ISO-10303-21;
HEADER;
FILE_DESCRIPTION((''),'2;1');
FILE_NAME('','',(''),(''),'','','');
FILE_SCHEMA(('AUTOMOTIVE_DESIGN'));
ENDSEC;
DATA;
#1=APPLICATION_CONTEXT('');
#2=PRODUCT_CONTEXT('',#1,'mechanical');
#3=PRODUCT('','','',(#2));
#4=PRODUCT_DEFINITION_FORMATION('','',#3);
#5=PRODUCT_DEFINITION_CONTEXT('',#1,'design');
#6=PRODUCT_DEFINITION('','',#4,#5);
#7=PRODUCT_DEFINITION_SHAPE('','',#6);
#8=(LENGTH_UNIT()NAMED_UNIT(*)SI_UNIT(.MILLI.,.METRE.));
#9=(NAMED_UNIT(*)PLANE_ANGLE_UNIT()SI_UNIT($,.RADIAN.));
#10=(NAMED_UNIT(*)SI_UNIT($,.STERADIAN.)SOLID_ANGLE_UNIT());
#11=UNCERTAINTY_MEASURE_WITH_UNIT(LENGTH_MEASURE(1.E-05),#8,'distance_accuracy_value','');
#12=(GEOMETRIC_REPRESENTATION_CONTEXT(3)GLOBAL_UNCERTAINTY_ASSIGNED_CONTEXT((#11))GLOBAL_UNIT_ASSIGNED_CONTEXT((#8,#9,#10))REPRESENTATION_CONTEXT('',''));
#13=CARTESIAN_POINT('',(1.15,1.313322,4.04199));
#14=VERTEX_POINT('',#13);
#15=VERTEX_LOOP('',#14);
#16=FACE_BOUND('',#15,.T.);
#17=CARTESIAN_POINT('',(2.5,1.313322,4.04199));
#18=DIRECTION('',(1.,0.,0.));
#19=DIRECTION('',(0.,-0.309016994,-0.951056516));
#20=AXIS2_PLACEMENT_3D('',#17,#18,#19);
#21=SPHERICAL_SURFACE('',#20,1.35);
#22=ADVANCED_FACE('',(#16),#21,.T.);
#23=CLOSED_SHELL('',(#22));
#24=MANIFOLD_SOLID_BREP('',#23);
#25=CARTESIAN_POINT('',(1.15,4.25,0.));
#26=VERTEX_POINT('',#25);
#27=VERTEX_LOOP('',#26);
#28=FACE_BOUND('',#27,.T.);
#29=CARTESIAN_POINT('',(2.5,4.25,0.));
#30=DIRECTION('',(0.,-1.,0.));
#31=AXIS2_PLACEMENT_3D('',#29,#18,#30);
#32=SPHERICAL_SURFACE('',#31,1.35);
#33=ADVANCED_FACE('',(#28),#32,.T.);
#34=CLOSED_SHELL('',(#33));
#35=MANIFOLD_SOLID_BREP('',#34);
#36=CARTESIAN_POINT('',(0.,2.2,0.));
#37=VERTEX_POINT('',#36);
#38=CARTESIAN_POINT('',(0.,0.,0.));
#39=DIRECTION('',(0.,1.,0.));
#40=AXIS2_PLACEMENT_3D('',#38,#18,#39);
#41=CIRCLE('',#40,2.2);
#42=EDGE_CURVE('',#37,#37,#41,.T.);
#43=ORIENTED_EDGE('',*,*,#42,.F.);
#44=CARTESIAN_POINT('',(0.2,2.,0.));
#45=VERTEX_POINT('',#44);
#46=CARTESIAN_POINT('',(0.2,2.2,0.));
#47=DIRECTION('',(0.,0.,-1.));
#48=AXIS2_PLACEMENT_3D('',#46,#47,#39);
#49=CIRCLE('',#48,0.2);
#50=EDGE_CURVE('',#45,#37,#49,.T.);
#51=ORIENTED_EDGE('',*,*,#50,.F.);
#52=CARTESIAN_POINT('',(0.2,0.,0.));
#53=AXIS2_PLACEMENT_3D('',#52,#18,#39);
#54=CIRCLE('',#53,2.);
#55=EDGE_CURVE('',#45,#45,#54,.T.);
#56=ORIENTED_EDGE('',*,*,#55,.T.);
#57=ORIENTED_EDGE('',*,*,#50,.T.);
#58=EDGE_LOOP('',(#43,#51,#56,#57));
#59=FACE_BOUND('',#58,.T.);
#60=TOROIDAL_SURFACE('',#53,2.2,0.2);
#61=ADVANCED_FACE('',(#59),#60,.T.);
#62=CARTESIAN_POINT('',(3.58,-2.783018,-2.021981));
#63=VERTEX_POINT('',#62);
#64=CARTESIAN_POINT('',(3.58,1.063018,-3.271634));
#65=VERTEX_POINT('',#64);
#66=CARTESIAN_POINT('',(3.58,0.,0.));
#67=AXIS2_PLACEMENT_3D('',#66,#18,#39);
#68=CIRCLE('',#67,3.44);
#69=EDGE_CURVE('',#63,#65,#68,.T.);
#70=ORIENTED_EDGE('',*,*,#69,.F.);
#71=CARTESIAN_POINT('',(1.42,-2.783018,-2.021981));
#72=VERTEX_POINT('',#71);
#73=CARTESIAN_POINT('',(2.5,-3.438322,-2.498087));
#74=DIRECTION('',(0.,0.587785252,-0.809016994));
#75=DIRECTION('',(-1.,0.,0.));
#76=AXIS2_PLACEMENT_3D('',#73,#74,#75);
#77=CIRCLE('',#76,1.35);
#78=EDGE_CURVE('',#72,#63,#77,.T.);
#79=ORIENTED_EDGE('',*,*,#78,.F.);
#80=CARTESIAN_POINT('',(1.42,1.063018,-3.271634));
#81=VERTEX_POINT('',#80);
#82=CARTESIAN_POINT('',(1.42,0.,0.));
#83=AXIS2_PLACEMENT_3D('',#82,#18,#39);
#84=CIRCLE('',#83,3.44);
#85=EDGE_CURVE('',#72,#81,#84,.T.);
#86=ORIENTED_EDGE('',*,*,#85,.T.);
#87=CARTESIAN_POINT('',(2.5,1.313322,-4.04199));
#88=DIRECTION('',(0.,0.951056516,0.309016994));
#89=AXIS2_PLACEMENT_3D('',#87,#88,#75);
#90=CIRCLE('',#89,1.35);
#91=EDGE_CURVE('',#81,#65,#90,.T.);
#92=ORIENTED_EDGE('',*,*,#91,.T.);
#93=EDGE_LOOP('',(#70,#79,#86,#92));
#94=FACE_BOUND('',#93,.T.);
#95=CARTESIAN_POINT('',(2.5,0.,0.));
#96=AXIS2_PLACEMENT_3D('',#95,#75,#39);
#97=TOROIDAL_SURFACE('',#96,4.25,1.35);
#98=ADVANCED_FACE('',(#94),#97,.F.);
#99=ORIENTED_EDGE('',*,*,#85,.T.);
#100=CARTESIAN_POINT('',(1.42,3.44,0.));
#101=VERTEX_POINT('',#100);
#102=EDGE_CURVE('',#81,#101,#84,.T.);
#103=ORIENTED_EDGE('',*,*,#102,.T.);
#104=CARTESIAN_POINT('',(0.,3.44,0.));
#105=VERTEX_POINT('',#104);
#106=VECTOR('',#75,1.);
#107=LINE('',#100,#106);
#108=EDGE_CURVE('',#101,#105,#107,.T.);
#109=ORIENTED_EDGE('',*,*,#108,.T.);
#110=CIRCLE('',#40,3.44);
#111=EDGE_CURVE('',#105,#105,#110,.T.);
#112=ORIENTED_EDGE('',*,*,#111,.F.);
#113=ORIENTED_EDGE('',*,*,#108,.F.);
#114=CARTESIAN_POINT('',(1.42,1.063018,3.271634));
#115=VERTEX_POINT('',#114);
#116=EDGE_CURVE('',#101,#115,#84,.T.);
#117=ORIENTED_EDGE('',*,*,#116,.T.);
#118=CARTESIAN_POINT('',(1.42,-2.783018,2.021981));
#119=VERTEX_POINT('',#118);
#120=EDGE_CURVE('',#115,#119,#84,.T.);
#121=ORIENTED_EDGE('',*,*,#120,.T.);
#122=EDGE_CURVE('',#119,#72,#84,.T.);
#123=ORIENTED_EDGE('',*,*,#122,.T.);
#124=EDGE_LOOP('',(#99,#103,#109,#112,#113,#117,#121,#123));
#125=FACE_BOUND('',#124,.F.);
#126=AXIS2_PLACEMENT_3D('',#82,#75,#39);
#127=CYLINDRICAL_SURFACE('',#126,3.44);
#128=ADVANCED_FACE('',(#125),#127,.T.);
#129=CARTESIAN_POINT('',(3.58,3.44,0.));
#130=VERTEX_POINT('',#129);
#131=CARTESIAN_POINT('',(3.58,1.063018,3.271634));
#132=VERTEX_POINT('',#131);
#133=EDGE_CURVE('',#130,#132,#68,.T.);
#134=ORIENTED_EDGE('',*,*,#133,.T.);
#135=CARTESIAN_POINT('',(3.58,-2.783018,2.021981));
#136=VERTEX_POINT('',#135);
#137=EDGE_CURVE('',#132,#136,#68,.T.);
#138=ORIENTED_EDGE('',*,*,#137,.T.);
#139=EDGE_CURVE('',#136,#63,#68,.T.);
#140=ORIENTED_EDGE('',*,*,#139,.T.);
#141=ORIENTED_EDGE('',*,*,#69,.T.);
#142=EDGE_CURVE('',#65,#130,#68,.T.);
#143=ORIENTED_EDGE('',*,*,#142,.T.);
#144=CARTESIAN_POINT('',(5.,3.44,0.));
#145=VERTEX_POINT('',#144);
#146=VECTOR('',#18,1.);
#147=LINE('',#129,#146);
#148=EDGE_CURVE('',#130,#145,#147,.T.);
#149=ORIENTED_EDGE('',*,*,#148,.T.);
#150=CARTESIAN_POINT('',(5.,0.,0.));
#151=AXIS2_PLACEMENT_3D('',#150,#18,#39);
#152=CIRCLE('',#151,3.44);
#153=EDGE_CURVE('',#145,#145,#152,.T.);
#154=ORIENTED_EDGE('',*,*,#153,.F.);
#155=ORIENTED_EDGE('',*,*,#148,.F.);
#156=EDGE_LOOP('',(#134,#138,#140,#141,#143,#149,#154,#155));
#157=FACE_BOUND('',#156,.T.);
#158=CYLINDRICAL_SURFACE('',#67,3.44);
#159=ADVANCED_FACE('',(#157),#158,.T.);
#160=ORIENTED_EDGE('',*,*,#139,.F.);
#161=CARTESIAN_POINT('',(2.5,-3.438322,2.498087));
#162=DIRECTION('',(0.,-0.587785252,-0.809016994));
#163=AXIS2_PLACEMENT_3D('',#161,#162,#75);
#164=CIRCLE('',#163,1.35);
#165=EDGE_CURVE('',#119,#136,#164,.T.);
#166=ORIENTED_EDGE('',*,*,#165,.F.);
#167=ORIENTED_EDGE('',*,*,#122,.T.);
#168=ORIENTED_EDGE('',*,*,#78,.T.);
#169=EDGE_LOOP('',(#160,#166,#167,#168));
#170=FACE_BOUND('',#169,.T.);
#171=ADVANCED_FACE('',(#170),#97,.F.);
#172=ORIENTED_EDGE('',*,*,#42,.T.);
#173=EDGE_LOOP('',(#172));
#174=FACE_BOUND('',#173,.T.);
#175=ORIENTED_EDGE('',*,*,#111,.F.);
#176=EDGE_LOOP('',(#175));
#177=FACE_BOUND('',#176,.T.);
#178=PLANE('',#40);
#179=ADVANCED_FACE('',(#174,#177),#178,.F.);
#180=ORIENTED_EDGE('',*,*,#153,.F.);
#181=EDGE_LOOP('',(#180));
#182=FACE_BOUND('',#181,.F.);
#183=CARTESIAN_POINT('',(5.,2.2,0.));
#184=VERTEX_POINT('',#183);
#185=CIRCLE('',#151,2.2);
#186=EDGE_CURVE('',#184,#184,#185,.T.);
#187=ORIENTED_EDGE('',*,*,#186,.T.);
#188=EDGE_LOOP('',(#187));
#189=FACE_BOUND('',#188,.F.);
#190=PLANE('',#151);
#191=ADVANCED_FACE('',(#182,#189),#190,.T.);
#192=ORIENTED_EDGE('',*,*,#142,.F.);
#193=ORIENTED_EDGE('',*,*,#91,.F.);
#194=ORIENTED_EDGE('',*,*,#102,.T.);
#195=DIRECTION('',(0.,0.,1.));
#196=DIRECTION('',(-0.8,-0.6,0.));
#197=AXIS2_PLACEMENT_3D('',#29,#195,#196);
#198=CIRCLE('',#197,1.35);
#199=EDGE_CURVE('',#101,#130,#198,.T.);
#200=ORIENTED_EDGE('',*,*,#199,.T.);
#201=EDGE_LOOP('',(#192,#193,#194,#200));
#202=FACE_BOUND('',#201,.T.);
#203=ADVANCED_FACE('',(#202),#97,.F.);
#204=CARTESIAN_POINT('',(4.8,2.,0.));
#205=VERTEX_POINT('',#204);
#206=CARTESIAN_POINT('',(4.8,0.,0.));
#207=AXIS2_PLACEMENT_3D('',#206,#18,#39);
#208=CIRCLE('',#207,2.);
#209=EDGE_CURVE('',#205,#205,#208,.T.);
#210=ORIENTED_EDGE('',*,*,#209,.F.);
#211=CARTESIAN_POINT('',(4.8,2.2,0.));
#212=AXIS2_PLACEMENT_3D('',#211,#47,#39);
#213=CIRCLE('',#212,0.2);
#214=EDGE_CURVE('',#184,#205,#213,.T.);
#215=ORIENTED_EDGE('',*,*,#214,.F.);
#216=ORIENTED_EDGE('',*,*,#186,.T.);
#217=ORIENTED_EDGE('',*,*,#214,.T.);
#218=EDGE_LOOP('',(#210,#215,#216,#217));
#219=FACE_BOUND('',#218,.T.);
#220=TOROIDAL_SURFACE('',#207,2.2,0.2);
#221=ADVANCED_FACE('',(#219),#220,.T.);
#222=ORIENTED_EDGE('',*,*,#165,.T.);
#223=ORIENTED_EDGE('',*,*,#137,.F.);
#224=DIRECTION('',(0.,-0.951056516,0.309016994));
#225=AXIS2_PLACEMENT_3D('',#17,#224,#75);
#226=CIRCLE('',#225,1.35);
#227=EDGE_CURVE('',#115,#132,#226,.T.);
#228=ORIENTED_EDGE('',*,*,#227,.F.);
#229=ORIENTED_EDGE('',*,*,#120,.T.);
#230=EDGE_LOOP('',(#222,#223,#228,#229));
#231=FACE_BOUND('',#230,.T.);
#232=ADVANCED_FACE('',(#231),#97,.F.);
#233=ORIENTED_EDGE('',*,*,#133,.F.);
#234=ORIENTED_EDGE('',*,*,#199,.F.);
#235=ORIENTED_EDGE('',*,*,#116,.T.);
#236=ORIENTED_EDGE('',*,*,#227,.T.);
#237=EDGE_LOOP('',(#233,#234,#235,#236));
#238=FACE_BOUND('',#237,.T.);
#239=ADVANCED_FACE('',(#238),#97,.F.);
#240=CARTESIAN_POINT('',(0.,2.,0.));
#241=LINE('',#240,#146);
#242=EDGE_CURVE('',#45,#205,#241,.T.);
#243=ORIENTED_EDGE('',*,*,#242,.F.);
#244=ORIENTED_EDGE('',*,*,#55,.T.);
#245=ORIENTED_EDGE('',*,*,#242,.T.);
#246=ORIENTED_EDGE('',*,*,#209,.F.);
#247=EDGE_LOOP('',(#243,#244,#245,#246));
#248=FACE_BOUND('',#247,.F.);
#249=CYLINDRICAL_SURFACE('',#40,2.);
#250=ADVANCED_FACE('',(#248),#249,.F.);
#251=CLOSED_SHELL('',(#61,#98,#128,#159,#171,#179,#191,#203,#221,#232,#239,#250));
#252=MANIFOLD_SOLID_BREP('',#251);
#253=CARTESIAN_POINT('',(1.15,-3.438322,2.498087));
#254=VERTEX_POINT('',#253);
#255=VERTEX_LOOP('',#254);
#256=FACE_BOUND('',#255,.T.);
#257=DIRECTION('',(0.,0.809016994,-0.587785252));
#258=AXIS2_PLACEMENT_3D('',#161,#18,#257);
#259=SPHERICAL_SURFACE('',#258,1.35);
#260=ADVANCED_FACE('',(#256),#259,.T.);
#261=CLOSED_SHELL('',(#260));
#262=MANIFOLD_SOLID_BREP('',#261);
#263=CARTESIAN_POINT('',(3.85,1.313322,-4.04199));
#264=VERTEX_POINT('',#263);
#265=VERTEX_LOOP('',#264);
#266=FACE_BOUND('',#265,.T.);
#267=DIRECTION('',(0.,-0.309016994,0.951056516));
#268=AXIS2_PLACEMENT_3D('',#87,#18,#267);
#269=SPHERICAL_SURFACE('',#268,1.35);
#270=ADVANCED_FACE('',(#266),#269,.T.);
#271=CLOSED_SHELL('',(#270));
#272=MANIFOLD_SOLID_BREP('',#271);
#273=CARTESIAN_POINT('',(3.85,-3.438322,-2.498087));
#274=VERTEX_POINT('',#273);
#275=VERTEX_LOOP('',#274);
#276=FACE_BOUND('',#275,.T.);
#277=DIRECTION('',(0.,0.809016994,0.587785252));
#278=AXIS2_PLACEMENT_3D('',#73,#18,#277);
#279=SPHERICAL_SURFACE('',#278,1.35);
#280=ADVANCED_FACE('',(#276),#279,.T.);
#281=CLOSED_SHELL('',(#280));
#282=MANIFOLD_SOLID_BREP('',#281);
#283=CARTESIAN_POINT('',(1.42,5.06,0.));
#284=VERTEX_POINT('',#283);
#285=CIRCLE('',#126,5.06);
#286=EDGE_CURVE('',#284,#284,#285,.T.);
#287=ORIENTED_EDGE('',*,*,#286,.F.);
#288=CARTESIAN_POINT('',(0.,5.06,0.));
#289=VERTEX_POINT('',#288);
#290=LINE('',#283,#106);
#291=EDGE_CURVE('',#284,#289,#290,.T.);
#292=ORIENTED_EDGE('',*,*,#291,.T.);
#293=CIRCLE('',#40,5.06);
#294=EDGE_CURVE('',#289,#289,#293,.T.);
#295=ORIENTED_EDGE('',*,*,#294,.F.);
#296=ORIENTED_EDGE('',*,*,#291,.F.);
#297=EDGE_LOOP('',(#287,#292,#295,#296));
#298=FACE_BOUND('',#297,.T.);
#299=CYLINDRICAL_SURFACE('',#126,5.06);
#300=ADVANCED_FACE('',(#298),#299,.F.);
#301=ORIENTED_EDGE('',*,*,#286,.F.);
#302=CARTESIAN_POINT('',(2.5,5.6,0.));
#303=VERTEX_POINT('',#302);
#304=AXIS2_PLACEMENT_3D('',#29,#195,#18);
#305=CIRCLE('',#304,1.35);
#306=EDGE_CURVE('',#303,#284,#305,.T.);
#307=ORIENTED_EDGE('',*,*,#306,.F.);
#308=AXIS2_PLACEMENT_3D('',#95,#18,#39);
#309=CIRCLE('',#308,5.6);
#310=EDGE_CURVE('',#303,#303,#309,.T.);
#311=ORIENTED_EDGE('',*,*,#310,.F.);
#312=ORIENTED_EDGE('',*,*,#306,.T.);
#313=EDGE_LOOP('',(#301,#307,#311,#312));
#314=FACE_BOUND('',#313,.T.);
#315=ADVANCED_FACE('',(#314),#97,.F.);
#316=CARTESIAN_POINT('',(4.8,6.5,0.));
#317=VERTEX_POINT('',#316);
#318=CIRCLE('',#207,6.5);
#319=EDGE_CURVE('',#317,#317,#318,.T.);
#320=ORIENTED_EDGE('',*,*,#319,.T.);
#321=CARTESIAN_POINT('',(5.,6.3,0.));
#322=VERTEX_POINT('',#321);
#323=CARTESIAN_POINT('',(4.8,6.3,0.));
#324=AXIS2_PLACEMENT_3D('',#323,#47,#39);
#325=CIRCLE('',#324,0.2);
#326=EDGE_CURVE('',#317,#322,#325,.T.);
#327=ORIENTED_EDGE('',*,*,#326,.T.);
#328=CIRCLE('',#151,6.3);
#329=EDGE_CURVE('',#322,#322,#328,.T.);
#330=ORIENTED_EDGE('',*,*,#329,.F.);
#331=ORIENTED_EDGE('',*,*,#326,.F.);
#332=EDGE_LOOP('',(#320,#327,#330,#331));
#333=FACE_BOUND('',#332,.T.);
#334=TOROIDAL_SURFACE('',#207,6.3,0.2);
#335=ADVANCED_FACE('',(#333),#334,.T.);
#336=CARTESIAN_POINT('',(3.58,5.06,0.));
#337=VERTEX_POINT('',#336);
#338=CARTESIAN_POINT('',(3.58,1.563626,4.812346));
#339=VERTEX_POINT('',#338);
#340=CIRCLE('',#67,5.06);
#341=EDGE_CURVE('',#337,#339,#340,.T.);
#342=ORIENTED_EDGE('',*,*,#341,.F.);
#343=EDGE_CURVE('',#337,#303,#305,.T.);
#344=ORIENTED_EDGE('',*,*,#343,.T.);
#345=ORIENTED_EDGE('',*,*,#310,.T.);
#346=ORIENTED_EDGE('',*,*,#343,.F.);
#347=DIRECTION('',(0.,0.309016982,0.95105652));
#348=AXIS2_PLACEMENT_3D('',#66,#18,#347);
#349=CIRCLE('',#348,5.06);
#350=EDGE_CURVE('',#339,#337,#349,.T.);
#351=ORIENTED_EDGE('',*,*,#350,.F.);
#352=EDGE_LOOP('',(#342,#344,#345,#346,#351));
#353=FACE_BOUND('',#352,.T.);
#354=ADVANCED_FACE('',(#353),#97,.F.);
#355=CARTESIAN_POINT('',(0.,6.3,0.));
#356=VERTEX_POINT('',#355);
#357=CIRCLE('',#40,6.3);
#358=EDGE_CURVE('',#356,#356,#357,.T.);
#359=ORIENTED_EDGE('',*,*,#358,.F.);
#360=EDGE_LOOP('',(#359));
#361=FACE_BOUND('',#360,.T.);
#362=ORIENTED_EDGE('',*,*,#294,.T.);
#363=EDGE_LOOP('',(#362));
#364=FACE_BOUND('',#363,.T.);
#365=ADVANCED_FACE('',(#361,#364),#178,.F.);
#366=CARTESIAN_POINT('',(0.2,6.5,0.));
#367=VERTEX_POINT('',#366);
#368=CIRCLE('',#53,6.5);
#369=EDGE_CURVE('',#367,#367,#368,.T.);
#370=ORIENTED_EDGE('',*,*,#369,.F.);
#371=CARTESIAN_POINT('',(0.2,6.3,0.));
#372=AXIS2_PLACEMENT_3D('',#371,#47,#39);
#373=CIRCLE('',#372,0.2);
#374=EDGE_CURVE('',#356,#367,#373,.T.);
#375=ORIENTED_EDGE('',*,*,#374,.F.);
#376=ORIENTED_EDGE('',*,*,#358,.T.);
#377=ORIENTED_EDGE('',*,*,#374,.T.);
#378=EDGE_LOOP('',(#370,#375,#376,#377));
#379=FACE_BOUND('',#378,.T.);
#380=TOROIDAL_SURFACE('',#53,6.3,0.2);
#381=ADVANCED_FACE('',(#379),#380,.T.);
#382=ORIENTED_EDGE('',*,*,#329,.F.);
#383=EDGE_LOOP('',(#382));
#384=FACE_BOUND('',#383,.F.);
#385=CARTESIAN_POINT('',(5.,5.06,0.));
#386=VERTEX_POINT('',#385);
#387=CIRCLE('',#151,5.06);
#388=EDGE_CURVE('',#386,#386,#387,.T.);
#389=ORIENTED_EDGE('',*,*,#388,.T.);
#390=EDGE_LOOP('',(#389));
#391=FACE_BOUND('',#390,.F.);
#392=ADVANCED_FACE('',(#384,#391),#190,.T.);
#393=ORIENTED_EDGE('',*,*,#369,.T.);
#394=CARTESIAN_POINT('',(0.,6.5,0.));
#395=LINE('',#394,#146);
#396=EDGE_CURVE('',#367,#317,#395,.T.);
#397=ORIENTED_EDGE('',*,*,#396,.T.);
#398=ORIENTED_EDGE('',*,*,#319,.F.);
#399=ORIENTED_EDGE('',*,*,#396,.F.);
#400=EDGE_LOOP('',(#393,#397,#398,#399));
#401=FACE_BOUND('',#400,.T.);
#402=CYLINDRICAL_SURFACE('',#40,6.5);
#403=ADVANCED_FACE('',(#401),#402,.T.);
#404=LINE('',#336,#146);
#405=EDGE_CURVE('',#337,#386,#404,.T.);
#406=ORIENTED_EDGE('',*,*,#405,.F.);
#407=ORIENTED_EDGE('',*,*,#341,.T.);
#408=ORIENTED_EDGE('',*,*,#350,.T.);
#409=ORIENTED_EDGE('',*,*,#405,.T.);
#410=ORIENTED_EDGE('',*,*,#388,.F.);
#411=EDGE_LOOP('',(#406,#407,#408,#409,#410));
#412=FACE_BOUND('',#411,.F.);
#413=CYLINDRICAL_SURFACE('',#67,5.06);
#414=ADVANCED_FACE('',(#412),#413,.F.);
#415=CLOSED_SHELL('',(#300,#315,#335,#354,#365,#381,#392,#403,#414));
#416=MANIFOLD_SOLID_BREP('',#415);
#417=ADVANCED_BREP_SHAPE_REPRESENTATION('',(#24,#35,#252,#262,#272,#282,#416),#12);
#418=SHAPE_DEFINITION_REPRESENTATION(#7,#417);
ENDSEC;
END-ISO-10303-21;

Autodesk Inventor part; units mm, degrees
ref_plane "YZ Plane" through (0, 0, 0) normal (1, 0, 0) x (0, 1, 0)
ref_plane "XZ Plane" through (0, 0, 0) normal (0, 1, 0) x (-1, 0, 0)
ref_plane "XY Plane" through (0, 0, 0) normal (0, 0, 1) x (1, 0, 0)
sketch "Skizze" plane through (0, 0, 0) normal (0, 0, 1) x (1, 0, 0)
  circle A0 centre (2.5, 4.25) radius 1.35
  line L0 (1.15, 4.25) -> (3.85, 4.25)
  line L1 (2.5, 4.25) -> (2.5, 2.9)
  line L2 (1.42, 3.44) -> (0, 3.44)
  line L3 (0, 2) -> (5, 2)
  line L4 (1.42, 5.06) -> (0, 5.06)
  line L5 (0, 6.5) -> (5, 6.5)
  line L6 (3.58, 3.44) -> (5, 3.44)
  line L7 (3.58, 5.06) -> (5, 5.06)
  line L8 (5, 5.06) -> (5, 6.5)
  line L9 (5, 2) -> (5, 3.44)
  line L10 (2.5, 4.25) -> (2.5, 5.6)
  line L11 (-3, 0) -> (18, 0) projected
  line L12 (0, -2.2) -> (0, 16.7) projected
  dimension "d3" = 2.7
  dimension "d8" = 4
  dimension "d10" = 6.88
  dimension "d12" = 10.12
  dimension "d13" = 13
  dimension "d14" = 8.5
  dimension "d15" = 5
revolve "Körper" add sketch "Skizze" angle 360 about axis through (-10, 0, 0) along (1, 0, 0) contours A0 L4 L12 L5 L8 L7 | L6 L9 L3 L12 L2 A0
fillet "Rundung1" radius 0.2 4 edges at (5, -2, 0) (0, -2, 0) (0, -6.5, 0) (5, -6.5, 0)
revolve "Kugel" add sketch "Skizze" angle 360 about axis through (1.15, 4.25, 0) along (1, 0, 0) contours A0 L1 L0 | L1 A0 L0
pattern_circular "Kugeln" count 5 over 360 about axis through (-10, 0, 0) along (1, 0, 0) of "Kugel"
equation "\"d3\" = DDB"
equation "\"d8\" = WD"
equation "\"d10\" = KID1"
equation "\"d12\" = KAD1"
equation "\"d13\" = BD"
equation "\"d14\" = DDA"
equation "\"d15\" = KB"
equation "\"d0\" = KRS"
equation "\"WD\" = 4"
equation "\"BD\" = 13"
equation "\"KB\" = 5"
equation "\"KRS\" = 0.2"
equation "\"KID1\" = DDA - 0.6 * DDB"
equation "\"KAD1\" = DDA + 0.6 * DDB"
equation "\"DDA\" = 0.5 * WD + 0.5 * BD"
equation "\"DDB\" = -0.3 * WD + 0.3 * BD"
equation "\"WR\" = 0.5 * WD"
equation "\"BR\" = 0.5 * BD"
equation "\"BBA\" = 0"
properties part number "DIN 625 T1 - 624 - 4 x 13 x 5" material "Stahl, weich"
